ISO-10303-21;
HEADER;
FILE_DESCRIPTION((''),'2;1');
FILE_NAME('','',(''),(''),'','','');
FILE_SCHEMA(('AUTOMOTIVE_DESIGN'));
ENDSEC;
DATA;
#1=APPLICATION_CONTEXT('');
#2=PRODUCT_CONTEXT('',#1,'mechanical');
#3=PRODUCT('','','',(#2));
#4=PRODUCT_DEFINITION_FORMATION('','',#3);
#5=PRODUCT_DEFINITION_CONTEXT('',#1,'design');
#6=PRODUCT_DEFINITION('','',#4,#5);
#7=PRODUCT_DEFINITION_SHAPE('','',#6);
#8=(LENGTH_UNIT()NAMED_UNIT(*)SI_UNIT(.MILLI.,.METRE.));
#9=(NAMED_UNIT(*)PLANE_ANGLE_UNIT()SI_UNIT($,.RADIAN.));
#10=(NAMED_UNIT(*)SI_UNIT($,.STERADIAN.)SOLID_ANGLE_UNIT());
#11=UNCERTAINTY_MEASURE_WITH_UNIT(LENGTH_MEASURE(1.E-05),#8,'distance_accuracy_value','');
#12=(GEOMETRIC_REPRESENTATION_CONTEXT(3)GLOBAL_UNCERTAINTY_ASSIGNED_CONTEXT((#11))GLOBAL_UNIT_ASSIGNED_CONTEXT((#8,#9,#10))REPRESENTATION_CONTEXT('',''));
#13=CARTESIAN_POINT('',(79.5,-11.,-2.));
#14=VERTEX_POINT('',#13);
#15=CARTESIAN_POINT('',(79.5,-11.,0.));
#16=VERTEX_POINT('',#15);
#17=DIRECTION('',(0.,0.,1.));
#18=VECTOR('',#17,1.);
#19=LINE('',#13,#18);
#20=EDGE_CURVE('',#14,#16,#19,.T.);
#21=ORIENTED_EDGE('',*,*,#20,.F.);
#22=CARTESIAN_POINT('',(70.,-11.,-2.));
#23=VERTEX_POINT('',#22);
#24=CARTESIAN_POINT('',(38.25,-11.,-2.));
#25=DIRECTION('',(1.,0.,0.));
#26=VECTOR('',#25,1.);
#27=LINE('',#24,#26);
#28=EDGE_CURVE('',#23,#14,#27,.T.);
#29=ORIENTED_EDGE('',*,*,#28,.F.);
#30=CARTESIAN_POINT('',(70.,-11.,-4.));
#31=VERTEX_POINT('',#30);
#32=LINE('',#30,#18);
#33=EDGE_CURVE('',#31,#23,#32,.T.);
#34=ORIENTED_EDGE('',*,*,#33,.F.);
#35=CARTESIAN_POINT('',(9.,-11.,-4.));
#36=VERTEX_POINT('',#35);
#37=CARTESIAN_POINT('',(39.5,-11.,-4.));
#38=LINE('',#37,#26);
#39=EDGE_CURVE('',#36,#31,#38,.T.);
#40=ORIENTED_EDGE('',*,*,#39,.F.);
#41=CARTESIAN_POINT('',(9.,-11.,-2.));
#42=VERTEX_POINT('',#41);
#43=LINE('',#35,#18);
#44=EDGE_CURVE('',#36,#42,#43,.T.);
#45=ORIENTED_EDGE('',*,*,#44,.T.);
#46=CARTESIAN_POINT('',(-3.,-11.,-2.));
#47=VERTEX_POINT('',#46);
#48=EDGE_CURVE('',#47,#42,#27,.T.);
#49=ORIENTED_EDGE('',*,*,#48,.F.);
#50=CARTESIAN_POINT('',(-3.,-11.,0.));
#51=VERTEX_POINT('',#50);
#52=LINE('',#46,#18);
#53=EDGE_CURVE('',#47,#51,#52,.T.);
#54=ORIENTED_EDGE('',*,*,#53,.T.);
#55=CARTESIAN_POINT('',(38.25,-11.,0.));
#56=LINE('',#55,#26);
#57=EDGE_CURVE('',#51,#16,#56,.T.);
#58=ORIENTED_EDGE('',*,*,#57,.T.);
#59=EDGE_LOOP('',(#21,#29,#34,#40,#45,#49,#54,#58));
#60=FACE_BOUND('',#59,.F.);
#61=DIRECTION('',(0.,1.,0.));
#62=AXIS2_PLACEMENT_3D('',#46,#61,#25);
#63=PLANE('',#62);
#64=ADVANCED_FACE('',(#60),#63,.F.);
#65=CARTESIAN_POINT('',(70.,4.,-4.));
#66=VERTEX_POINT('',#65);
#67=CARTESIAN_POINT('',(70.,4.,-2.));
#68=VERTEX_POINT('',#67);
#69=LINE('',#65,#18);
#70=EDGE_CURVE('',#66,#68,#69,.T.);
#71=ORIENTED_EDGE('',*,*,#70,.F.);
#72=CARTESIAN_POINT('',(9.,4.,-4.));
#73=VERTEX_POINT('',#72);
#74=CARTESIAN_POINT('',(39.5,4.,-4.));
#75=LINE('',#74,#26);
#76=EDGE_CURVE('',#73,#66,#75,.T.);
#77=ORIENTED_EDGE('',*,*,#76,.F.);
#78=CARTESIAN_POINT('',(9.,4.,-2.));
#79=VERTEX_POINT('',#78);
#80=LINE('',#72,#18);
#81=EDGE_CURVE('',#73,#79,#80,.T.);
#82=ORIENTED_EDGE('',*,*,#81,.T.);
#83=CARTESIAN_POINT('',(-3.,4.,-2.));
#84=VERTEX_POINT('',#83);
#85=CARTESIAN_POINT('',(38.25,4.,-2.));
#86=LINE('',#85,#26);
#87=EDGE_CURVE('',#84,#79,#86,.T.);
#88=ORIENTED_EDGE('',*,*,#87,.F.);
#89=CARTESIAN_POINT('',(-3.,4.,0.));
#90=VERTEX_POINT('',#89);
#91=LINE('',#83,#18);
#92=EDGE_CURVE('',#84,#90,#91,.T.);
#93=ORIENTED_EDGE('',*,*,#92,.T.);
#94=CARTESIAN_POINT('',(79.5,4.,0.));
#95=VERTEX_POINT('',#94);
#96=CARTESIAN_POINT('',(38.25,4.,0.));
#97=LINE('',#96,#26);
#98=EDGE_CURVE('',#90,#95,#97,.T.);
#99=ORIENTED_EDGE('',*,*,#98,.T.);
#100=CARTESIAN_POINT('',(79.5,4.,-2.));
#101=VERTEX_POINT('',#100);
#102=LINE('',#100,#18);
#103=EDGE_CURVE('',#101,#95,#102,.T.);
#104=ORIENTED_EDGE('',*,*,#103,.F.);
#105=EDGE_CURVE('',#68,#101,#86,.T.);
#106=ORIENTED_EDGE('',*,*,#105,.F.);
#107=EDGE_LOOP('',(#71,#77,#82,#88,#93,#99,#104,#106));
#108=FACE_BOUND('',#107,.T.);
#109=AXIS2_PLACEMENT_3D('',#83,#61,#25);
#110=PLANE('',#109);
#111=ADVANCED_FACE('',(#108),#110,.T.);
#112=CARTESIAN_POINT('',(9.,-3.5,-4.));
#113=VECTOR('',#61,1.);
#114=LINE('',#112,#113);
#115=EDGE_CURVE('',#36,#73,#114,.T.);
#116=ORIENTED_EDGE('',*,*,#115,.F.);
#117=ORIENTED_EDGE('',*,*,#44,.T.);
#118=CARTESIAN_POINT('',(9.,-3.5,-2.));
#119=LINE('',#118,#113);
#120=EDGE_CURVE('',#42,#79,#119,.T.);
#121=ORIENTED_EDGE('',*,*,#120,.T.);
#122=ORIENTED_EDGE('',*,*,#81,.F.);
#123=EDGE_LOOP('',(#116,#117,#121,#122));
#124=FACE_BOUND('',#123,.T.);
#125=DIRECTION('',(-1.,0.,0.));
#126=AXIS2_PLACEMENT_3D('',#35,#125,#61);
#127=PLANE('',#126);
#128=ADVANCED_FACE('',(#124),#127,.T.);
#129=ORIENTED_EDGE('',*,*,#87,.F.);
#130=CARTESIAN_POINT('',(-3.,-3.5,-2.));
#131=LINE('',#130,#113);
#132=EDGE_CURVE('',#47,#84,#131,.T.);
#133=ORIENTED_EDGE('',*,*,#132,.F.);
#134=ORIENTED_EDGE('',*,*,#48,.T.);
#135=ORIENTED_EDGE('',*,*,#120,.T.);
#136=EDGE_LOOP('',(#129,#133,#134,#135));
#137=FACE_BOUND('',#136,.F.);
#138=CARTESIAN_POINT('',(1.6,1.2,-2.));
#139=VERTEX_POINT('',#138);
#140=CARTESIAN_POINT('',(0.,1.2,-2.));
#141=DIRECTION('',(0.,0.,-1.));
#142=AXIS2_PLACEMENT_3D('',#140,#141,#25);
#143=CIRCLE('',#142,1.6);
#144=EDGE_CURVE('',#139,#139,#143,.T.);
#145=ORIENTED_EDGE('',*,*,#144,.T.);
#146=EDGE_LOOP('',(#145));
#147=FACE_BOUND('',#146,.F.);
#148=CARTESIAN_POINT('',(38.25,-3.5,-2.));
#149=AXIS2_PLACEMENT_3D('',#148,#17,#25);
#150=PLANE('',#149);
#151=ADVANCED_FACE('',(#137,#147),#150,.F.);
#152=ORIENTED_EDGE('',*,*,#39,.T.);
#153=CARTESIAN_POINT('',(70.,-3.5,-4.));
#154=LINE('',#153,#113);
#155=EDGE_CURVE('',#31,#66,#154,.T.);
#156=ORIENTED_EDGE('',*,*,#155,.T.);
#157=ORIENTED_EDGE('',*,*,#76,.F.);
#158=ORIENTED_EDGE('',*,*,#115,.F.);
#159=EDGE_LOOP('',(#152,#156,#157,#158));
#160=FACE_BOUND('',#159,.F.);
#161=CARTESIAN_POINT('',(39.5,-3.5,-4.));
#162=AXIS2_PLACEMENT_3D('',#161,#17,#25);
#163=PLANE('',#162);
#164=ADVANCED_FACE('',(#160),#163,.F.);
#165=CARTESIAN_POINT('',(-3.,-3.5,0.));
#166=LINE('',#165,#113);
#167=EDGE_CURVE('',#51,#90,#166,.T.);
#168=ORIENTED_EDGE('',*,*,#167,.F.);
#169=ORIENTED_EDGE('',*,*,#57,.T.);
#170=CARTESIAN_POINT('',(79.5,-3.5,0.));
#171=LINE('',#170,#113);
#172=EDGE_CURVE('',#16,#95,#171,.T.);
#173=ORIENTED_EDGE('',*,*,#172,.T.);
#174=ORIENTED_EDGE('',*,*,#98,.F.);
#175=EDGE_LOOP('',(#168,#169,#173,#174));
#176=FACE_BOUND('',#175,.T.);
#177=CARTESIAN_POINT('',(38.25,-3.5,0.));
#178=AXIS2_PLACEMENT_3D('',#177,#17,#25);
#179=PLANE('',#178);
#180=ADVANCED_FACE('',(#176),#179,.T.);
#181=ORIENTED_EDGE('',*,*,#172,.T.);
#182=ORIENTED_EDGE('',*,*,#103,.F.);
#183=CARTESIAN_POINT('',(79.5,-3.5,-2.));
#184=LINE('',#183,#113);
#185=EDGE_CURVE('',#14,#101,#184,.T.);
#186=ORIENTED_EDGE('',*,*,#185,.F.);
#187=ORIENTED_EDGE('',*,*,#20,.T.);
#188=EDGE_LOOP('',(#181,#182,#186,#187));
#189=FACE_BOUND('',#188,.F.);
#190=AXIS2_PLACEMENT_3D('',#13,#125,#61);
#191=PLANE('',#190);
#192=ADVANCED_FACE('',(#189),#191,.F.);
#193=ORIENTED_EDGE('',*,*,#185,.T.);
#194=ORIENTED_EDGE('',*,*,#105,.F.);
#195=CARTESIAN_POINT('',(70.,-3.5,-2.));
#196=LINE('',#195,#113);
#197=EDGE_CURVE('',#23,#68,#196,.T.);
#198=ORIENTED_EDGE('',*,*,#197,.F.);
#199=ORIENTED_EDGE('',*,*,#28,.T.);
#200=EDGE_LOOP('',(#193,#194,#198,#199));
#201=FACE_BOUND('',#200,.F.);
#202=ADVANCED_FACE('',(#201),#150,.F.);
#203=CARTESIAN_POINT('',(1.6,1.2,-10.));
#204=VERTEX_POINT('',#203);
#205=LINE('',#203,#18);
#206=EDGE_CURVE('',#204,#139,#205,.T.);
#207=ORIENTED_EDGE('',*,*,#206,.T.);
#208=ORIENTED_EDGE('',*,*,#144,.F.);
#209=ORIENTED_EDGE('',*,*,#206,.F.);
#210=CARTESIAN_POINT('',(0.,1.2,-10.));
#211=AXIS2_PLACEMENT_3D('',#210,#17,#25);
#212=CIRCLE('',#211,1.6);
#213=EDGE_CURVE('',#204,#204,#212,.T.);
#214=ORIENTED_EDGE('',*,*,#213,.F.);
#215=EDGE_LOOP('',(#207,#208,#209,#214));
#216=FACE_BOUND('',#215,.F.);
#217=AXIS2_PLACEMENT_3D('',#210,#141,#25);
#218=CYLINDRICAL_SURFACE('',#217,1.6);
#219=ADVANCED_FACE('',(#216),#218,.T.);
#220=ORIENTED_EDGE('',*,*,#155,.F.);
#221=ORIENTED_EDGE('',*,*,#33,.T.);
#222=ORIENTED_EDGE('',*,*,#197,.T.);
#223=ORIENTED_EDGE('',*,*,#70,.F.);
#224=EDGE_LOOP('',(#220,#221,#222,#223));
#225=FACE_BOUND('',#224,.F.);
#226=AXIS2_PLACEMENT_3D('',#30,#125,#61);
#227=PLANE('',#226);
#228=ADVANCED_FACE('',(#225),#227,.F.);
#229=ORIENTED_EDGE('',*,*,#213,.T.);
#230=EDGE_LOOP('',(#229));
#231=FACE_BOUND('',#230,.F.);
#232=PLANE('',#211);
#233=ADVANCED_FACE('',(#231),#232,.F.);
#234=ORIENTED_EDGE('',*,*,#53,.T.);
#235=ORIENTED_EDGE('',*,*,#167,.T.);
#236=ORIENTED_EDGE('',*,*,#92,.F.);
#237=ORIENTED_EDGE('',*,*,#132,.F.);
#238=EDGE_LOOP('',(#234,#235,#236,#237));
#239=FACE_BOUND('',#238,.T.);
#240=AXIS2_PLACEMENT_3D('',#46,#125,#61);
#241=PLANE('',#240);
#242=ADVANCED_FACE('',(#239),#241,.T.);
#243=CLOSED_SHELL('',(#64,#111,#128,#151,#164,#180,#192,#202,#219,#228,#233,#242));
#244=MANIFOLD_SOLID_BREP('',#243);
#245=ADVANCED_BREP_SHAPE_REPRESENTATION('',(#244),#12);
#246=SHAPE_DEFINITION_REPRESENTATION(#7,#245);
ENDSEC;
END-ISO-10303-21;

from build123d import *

# Parameters (mm, degrees)
CYLINDER_R     = 1.6
CYLINDER_DEPTH = 10
BOX001_W       = 61
BOX001_H       = 15
BOX001_DEPTH   = 2
BOX_W          = 82.5
BOX_H          = 15
BOX_DEPTH      = 2


with BuildPart() as taladro1:
    # Cylinder → Cylinder (new body)
    with BuildSketch(Plane(origin=(0, 1.2, -10), x_dir=(1, 0, 0), z_dir=(0, 0, 1))):
        Circle(CYLINDER_R)
    extrude(amount=CYLINDER_DEPTH)


with BuildPart() as perfora_2mm_centro:
    # Box001 → Box001 (new body)
    with BuildSketch(Plane(origin=(12, 0, -2), x_dir=(1, 0, 0), z_dir=(0, 0, 1))):
        with Locations((30.5, 7.5)):
            Rectangle(BOX001_W, BOX001_H)
    extrude(amount=BOX001_DEPTH)


with BuildPart() as fusion001:
    # Box → Box (new body)
    with BuildSketch(Plane.XY):
        with Locations((41.25, 7.5)):
            Rectangle(BOX_W, BOX_H)
    extrude(amount=BOX_DEPTH)

    # Fusion: union perfora_2mm_centro
    add(perfora_2mm_centro.part)


with BuildPart() as fusion001_1:
    # Fusion placement: moved
    add(fusion001.part.moved(Location((-3, -11, -2))))

    # Fusion001: union taladro1
    add(taladro1.part)


with BuildPart() as fusion005:
    # Fusion005 base: copy of taladro1
    add(taladro1.part)

    # Fusion005: union Fusion001
    add(fusion001_1.part)


solid = fusion005.part
